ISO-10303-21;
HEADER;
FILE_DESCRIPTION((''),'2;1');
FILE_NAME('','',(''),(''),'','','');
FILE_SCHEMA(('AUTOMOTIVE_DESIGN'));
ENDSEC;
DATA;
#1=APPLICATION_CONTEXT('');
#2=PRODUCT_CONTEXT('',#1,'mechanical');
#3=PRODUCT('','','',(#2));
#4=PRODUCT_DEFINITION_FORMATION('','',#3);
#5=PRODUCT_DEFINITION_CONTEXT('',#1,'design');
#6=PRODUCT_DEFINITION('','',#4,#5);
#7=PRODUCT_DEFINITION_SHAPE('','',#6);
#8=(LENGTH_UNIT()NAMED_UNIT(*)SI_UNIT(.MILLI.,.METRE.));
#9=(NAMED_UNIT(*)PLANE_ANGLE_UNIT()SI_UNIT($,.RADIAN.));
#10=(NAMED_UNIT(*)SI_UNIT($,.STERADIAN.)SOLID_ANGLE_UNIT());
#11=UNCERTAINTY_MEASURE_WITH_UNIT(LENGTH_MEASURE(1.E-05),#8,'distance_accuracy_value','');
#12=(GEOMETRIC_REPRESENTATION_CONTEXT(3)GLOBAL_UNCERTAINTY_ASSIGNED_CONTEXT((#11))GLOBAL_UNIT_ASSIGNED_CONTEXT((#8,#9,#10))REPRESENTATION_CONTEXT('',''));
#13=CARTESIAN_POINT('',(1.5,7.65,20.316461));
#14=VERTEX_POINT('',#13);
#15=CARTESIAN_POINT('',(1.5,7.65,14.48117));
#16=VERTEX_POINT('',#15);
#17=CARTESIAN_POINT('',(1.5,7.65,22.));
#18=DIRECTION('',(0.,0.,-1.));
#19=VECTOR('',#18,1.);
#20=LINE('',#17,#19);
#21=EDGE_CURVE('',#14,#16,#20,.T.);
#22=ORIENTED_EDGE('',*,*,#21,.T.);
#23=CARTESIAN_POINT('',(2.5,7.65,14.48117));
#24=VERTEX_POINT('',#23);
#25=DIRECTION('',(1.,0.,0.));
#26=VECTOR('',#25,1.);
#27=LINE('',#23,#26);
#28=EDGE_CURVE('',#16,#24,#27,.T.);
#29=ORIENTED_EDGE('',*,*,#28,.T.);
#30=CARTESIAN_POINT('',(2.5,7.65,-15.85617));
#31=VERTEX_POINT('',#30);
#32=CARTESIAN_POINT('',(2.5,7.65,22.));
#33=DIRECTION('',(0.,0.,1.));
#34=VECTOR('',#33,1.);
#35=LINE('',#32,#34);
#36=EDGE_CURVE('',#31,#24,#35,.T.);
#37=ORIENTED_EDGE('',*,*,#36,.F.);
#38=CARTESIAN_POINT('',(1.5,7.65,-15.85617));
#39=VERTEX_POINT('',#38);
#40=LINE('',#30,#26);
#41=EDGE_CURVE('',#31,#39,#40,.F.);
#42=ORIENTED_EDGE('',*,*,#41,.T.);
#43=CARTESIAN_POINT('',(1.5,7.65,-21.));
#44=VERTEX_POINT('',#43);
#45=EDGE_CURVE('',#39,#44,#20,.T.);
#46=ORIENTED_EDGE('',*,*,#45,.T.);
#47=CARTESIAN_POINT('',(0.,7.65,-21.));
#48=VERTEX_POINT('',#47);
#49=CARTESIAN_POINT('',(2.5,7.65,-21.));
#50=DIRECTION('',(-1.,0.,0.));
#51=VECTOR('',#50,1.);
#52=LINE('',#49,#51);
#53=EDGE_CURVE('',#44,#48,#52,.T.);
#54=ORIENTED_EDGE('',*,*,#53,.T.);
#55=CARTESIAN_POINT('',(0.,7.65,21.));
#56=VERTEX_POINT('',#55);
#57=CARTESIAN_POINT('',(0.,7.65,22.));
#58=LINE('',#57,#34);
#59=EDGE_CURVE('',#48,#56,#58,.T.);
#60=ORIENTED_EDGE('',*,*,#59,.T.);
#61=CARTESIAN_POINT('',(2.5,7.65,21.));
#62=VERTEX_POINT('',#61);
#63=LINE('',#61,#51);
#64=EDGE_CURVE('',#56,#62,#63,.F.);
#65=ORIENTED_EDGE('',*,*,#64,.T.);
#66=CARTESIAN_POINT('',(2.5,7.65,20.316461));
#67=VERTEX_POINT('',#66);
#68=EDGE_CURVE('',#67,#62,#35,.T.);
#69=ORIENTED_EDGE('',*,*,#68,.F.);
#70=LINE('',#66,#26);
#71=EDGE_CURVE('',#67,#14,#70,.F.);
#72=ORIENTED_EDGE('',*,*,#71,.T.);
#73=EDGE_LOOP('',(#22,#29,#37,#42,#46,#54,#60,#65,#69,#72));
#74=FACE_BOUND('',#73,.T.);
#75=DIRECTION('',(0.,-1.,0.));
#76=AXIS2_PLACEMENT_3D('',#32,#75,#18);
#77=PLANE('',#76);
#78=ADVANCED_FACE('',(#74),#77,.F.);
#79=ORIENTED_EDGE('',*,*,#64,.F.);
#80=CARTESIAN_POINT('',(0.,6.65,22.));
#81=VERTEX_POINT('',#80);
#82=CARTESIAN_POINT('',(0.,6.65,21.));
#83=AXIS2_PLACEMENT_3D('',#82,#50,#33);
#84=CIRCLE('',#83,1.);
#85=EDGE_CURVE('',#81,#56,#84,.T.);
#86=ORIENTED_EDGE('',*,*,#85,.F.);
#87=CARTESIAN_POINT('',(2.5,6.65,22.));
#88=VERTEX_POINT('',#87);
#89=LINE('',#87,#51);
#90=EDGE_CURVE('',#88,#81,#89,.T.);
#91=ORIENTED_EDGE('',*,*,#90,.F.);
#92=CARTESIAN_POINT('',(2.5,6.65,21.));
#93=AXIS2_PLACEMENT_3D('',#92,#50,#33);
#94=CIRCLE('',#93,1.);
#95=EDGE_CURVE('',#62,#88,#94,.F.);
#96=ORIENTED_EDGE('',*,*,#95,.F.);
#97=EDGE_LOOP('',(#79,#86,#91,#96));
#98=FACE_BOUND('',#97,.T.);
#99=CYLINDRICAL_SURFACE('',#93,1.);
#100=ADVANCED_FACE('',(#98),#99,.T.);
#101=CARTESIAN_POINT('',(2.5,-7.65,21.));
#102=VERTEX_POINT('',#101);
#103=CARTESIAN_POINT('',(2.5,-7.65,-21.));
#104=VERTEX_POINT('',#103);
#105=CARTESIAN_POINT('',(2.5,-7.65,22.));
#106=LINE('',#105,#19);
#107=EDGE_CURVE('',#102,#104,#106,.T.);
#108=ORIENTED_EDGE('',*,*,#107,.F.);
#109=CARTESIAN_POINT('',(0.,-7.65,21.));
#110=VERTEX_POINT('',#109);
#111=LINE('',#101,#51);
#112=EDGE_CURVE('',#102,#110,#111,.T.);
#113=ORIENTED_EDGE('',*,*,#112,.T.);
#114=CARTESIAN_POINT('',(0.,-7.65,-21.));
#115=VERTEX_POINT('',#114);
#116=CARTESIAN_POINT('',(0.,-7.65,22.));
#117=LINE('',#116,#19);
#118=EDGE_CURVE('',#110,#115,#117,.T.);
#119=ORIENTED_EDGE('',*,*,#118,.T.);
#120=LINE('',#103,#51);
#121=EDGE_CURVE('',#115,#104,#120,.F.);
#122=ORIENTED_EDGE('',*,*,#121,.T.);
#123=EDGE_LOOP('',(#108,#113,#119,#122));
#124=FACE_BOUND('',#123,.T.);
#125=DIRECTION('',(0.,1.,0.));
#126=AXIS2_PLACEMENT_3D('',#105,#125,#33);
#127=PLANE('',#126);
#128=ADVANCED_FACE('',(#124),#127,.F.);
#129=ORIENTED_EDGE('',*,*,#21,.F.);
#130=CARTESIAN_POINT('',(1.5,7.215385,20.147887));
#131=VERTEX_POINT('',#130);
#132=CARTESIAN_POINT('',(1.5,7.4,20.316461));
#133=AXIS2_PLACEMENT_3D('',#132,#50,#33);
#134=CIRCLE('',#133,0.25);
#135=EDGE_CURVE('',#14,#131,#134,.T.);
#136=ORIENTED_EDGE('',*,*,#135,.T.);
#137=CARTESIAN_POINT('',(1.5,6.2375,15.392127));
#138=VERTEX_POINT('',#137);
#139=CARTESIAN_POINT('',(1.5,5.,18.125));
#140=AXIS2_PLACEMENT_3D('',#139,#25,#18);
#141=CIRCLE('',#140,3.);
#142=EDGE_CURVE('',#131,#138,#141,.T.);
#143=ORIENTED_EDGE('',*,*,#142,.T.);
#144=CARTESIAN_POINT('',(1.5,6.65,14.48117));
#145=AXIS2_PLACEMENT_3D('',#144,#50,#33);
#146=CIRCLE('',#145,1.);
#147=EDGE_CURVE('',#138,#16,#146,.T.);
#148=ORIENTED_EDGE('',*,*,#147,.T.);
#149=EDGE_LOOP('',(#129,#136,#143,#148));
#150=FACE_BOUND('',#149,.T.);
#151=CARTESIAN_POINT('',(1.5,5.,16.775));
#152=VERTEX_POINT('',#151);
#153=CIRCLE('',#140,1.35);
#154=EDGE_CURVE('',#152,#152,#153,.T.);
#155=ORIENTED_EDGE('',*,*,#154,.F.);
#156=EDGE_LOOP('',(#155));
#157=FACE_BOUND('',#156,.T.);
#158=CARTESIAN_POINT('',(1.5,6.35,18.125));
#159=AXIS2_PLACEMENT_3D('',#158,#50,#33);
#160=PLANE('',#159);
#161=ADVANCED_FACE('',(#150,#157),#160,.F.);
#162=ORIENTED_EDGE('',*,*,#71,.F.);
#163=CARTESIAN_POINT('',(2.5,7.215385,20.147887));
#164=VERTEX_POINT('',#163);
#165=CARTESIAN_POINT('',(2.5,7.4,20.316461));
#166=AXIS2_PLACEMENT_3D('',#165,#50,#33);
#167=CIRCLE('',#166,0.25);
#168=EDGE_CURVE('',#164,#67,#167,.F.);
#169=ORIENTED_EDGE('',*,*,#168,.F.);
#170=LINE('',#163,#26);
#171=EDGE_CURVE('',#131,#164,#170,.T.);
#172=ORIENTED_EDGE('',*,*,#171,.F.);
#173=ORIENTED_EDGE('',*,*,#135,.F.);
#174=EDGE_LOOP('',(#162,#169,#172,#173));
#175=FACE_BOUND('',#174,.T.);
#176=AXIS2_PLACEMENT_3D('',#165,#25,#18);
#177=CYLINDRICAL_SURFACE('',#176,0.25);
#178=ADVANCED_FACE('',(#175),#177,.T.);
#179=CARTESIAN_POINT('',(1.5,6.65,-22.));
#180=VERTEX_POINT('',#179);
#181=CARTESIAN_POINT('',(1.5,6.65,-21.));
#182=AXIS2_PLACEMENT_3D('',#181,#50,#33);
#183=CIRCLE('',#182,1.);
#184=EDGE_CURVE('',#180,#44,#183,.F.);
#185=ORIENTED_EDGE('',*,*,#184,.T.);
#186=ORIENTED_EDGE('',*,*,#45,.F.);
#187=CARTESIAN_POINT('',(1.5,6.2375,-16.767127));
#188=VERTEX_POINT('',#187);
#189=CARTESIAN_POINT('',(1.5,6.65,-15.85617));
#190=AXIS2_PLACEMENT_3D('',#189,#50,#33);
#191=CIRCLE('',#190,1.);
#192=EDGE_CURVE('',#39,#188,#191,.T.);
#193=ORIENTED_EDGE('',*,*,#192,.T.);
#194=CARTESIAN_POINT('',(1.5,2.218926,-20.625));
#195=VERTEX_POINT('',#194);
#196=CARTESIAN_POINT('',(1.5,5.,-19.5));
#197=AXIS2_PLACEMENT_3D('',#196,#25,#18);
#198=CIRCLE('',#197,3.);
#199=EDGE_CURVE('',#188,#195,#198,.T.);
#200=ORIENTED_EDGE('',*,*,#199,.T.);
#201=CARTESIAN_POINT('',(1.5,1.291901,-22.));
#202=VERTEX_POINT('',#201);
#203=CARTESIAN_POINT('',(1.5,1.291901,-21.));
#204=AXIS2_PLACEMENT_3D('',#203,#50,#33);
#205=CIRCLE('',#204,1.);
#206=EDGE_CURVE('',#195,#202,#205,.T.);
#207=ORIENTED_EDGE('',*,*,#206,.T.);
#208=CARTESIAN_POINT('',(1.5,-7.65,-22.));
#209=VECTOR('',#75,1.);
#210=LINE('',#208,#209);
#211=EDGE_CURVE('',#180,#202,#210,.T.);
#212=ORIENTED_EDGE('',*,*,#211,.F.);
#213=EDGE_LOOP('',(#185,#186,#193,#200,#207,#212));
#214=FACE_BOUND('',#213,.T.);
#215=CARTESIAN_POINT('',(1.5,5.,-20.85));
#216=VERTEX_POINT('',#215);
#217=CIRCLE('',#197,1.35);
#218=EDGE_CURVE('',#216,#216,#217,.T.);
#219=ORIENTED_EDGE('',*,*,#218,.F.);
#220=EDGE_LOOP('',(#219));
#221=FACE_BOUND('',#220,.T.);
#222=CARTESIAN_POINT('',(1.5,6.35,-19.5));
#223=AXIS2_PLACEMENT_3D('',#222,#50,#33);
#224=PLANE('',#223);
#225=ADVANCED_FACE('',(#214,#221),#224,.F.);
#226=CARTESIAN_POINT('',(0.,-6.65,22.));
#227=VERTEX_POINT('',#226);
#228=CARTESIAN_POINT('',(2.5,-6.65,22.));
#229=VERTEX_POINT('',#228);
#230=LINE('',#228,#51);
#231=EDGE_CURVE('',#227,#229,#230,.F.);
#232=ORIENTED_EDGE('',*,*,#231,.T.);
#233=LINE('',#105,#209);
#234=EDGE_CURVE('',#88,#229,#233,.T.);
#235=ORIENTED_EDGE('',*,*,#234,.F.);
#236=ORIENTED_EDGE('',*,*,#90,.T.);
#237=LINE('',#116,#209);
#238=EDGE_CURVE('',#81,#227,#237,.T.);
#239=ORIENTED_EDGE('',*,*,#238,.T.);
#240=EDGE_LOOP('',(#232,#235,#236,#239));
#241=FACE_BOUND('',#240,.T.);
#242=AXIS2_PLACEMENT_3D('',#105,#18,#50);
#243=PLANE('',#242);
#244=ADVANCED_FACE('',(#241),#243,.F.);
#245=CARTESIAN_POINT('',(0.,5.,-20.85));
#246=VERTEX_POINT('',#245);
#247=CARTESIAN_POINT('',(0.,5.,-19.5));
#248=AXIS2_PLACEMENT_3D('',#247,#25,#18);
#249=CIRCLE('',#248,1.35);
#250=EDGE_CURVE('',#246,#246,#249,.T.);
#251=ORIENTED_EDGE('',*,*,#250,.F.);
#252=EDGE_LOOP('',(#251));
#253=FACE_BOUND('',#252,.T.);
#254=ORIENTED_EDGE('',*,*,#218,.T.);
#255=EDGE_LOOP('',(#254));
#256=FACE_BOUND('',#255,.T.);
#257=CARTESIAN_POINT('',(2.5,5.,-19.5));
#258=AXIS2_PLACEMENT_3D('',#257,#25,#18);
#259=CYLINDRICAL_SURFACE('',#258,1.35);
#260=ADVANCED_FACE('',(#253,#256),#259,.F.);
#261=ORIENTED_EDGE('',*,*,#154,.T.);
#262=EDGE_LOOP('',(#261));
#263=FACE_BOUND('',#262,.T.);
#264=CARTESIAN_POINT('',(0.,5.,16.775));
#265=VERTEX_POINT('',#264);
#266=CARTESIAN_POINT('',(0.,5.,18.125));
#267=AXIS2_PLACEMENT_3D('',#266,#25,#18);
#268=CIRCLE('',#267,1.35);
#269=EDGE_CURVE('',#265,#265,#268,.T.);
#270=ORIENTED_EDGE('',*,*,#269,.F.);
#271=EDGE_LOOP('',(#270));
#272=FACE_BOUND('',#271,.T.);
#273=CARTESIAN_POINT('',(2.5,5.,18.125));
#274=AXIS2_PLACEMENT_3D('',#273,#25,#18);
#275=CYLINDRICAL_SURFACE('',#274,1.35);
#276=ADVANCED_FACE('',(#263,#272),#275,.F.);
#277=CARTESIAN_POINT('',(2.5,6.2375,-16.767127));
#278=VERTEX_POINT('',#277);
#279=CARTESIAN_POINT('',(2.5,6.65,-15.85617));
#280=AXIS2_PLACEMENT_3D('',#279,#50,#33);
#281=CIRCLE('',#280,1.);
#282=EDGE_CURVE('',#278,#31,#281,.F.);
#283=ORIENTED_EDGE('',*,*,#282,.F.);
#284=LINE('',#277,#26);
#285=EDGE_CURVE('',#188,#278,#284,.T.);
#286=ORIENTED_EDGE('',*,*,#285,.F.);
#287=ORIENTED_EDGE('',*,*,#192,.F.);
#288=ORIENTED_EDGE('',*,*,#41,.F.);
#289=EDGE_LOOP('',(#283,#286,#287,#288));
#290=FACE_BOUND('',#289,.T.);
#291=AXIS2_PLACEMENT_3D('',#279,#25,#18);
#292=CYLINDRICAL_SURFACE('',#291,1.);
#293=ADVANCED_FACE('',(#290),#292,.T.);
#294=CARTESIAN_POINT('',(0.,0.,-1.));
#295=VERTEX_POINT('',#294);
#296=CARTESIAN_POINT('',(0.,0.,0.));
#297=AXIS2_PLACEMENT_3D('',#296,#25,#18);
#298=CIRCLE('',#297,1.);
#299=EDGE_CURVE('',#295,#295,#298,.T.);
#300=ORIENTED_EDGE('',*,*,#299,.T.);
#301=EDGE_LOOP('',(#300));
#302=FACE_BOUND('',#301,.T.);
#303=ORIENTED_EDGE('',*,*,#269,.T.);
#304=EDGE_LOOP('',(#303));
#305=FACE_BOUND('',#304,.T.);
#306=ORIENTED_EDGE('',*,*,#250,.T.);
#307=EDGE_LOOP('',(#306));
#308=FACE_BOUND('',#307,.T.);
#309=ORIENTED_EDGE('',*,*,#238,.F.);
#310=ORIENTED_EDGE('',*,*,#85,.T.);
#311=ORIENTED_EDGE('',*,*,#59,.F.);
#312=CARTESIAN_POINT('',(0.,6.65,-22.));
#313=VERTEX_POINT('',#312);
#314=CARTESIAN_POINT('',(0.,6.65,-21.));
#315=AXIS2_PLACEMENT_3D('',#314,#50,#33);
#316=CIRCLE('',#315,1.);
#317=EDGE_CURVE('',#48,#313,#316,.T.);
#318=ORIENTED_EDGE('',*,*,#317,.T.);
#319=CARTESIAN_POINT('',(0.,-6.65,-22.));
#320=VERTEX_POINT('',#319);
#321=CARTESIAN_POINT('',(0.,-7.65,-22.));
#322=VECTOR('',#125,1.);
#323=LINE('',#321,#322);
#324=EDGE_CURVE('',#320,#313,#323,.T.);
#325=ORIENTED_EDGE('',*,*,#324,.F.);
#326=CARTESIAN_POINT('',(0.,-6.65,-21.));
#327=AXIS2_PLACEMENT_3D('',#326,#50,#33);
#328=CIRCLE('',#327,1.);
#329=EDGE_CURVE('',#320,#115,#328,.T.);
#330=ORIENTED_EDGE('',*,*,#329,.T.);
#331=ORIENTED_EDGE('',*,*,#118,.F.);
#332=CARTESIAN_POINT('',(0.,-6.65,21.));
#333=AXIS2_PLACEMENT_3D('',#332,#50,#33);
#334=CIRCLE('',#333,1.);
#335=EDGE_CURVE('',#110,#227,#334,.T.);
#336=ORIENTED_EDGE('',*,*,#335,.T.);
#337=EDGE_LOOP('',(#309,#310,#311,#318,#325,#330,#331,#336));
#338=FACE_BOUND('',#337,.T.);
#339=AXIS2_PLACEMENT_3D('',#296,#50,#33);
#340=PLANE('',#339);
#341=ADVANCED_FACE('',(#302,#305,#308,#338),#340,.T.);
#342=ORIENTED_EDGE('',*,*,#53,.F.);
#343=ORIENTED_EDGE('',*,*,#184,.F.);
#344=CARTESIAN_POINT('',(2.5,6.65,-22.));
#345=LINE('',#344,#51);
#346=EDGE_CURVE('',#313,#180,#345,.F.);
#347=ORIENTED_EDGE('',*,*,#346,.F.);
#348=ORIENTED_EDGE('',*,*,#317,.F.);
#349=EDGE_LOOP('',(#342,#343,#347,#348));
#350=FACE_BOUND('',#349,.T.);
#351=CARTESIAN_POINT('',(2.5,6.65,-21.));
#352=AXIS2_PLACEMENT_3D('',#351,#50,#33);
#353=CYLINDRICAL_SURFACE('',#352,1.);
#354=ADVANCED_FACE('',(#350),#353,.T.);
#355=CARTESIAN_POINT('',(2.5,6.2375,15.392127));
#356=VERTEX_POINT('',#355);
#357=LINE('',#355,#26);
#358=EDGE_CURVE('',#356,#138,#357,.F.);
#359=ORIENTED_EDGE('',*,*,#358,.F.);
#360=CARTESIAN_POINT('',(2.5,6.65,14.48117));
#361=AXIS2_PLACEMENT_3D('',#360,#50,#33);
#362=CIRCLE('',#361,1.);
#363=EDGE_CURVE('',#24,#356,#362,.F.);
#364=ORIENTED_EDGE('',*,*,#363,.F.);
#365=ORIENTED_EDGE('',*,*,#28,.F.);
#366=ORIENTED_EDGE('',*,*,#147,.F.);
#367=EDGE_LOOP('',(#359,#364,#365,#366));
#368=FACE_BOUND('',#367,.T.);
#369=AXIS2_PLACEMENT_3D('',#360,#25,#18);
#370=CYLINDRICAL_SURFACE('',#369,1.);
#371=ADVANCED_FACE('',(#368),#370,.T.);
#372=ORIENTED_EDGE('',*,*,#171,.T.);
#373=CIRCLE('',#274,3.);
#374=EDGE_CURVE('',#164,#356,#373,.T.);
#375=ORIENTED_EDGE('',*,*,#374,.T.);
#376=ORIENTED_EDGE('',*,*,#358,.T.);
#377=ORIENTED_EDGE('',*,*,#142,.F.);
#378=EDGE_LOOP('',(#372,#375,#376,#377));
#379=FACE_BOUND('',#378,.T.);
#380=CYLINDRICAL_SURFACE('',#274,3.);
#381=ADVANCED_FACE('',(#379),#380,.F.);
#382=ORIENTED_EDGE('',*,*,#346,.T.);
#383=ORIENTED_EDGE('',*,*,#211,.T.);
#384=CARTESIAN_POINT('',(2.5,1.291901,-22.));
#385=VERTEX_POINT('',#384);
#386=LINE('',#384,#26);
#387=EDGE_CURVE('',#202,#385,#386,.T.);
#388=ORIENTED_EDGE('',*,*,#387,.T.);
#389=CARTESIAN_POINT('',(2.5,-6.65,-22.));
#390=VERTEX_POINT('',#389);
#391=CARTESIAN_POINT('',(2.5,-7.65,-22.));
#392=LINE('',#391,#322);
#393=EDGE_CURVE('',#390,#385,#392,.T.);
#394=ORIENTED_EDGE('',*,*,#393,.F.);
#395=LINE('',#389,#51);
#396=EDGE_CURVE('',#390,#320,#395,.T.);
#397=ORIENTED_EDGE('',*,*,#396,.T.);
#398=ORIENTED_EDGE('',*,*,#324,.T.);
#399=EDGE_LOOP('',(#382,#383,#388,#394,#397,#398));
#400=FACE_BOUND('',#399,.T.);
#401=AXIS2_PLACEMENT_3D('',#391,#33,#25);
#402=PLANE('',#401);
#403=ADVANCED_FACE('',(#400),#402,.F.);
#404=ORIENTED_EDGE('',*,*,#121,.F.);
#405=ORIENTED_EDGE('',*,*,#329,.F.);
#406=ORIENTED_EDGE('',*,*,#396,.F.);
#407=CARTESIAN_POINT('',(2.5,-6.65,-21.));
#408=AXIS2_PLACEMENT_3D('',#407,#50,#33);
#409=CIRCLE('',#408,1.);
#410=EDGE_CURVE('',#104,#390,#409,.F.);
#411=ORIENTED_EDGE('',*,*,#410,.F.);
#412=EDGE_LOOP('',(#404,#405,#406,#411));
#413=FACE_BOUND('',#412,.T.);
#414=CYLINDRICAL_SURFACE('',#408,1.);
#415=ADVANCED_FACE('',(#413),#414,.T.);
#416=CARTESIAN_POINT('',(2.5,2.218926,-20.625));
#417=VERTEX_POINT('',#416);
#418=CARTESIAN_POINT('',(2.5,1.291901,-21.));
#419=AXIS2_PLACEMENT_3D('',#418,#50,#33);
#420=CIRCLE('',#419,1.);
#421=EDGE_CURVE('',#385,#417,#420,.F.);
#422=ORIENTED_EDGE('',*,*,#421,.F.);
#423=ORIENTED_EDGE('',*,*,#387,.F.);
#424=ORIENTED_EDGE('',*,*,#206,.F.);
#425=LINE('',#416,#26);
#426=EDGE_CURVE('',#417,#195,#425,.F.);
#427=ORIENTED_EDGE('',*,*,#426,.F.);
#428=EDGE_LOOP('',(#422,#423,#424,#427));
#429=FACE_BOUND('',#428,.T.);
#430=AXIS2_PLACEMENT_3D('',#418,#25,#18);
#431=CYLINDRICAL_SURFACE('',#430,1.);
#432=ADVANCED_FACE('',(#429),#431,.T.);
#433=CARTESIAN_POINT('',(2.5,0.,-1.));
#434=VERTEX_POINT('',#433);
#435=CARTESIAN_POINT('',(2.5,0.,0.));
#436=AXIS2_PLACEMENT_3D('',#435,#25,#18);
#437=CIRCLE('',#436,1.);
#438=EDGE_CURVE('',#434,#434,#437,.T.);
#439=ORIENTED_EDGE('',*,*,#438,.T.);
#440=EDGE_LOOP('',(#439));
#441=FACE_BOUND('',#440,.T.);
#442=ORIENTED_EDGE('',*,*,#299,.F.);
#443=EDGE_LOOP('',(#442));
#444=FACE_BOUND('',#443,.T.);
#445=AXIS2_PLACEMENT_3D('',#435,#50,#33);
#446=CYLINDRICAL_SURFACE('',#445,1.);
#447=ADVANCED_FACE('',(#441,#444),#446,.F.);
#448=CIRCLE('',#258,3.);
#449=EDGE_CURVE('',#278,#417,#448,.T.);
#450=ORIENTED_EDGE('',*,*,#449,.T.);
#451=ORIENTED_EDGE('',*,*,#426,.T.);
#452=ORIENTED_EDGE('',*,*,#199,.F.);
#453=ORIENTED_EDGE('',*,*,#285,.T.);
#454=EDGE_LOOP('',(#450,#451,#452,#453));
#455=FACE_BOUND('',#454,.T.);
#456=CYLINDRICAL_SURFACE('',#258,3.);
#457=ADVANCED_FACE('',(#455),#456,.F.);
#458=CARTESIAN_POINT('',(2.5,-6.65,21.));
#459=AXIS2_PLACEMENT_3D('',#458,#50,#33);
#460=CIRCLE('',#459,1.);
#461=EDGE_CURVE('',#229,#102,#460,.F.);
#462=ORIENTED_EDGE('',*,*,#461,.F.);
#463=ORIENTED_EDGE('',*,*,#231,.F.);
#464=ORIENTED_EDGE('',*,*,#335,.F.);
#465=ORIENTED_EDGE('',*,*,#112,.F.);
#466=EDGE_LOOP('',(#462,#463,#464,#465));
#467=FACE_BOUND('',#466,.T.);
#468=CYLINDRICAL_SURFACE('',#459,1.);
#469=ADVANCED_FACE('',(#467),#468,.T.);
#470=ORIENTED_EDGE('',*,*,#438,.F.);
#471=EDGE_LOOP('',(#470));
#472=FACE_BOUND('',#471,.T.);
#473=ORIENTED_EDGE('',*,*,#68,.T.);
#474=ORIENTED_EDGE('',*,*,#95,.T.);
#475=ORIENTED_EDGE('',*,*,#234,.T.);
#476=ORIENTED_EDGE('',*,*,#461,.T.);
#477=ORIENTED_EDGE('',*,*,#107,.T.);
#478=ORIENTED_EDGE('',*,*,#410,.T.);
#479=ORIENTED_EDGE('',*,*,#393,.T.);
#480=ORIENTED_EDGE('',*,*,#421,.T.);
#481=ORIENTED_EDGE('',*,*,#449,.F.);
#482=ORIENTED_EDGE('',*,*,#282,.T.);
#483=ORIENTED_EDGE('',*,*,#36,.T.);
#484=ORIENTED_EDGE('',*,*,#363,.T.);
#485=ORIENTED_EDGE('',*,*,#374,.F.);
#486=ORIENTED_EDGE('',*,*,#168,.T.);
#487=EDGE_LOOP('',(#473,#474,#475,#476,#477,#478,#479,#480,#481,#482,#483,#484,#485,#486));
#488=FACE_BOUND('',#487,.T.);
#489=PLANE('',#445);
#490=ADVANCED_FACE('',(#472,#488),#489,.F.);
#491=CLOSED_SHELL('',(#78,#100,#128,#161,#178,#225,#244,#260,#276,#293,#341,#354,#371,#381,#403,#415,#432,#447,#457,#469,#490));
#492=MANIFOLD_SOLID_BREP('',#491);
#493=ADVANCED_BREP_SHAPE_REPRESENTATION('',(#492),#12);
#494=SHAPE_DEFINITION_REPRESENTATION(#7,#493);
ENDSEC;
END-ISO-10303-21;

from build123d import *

# Parameters (mm, degrees)
SKETCH1_W                                          = 44
SKETCH1_H                                          = 15.3
SKETCH1_R                                          = 1
BOSS_EXTRUDE1_DEPTH                                = 2.5
CBORE_FOR_M2_5_PAN_HEAD_MACHINE_SCREW1_D           = 2.7
CBORE_FOR_M2_5_PAN_HEAD_MACHINE_SCREW1_CBORE_D     = 6
CBORE_FOR_M2_5_PAN_HEAD_MACHINE_SCREW1_CBORE_DEPTH = 1
CUT_EXTRUDE1_DEPTH                                 = 1
FILLET1_R                                          = 1
FILLET2_R                                          = 0.25


with BuildPart() as part:
    # Sketch1 → Boss-Extrude1 (new body)
    with BuildSketch(Plane(origin=(0, 0, 0), x_dir=(0, 0, -1), z_dir=(1, 0, 0))):
        Rectangle(SKETCH1_W, SKETCH1_H)
        Circle(SKETCH1_R, mode=Mode.SUBTRACT)
    extrude(amount=BOSS_EXTRUDE1_DEPTH)

    # CBORE for M2.5 Pan Head Machine Screw1 (through all)
    with Locations(Plane(origin=(2.5, 0, 0), x_dir=(0, 0, -1), z_dir=(1, 0, 0))):
        with Locations((-18.125, 5), (19.5, 5)):
            CounterBoreHole(CBORE_FOR_M2_5_PAN_HEAD_MACHINE_SCREW1_D / 2, CBORE_FOR_M2_5_PAN_HEAD_MACHINE_SCREW1_CBORE_D / 2, CBORE_FOR_M2_5_PAN_HEAD_MACHINE_SCREW1_CBORE_DEPTH)

    # Sketch5 → Cut-Extrude1 (cut)
    with BuildSketch(Plane(origin=(2.5, 0, 0), x_dir=(0, 0, -1), z_dir=(1, 0, 0))):
        with BuildLine():
            ThreePointArc((22, 6.658312395), (21.515075982, 7.222491571), (20.906236111, 7.65))
            Line((20.906236111, 7.65), (22, 7.65))
            Line((22, 7.65), (22, 6.658312395))
        make_face()
    extrude(amount=-CUT_EXTRUDE1_DEPTH, mode=Mode.SUBTRACT)

    # Fillet1
    fillet1_edges = [part.edges().sort_by_distance(p)[0] for p in [
        (2, 3.341687605, -22),
        (2, 7.65, -18.093763889),
        (2, 7.65, 16.718763889),
        (0.75, 7.65, -22),
        (1.25, -7.65, -22),
        (1.25, -7.65, 22),
        (1.25, 7.65, 22),
    ]]
    fillet(fillet1_edges, radius=FILLET1_R)

    # Fillet2
    fillet2_edges = [part.edges().sort_by_distance(p)[0] for p in [
        (2, 7.65, 19.531236111),
    ]]
    fillet(fillet2_edges, radius=FILLET2_R)


solid = part.part
